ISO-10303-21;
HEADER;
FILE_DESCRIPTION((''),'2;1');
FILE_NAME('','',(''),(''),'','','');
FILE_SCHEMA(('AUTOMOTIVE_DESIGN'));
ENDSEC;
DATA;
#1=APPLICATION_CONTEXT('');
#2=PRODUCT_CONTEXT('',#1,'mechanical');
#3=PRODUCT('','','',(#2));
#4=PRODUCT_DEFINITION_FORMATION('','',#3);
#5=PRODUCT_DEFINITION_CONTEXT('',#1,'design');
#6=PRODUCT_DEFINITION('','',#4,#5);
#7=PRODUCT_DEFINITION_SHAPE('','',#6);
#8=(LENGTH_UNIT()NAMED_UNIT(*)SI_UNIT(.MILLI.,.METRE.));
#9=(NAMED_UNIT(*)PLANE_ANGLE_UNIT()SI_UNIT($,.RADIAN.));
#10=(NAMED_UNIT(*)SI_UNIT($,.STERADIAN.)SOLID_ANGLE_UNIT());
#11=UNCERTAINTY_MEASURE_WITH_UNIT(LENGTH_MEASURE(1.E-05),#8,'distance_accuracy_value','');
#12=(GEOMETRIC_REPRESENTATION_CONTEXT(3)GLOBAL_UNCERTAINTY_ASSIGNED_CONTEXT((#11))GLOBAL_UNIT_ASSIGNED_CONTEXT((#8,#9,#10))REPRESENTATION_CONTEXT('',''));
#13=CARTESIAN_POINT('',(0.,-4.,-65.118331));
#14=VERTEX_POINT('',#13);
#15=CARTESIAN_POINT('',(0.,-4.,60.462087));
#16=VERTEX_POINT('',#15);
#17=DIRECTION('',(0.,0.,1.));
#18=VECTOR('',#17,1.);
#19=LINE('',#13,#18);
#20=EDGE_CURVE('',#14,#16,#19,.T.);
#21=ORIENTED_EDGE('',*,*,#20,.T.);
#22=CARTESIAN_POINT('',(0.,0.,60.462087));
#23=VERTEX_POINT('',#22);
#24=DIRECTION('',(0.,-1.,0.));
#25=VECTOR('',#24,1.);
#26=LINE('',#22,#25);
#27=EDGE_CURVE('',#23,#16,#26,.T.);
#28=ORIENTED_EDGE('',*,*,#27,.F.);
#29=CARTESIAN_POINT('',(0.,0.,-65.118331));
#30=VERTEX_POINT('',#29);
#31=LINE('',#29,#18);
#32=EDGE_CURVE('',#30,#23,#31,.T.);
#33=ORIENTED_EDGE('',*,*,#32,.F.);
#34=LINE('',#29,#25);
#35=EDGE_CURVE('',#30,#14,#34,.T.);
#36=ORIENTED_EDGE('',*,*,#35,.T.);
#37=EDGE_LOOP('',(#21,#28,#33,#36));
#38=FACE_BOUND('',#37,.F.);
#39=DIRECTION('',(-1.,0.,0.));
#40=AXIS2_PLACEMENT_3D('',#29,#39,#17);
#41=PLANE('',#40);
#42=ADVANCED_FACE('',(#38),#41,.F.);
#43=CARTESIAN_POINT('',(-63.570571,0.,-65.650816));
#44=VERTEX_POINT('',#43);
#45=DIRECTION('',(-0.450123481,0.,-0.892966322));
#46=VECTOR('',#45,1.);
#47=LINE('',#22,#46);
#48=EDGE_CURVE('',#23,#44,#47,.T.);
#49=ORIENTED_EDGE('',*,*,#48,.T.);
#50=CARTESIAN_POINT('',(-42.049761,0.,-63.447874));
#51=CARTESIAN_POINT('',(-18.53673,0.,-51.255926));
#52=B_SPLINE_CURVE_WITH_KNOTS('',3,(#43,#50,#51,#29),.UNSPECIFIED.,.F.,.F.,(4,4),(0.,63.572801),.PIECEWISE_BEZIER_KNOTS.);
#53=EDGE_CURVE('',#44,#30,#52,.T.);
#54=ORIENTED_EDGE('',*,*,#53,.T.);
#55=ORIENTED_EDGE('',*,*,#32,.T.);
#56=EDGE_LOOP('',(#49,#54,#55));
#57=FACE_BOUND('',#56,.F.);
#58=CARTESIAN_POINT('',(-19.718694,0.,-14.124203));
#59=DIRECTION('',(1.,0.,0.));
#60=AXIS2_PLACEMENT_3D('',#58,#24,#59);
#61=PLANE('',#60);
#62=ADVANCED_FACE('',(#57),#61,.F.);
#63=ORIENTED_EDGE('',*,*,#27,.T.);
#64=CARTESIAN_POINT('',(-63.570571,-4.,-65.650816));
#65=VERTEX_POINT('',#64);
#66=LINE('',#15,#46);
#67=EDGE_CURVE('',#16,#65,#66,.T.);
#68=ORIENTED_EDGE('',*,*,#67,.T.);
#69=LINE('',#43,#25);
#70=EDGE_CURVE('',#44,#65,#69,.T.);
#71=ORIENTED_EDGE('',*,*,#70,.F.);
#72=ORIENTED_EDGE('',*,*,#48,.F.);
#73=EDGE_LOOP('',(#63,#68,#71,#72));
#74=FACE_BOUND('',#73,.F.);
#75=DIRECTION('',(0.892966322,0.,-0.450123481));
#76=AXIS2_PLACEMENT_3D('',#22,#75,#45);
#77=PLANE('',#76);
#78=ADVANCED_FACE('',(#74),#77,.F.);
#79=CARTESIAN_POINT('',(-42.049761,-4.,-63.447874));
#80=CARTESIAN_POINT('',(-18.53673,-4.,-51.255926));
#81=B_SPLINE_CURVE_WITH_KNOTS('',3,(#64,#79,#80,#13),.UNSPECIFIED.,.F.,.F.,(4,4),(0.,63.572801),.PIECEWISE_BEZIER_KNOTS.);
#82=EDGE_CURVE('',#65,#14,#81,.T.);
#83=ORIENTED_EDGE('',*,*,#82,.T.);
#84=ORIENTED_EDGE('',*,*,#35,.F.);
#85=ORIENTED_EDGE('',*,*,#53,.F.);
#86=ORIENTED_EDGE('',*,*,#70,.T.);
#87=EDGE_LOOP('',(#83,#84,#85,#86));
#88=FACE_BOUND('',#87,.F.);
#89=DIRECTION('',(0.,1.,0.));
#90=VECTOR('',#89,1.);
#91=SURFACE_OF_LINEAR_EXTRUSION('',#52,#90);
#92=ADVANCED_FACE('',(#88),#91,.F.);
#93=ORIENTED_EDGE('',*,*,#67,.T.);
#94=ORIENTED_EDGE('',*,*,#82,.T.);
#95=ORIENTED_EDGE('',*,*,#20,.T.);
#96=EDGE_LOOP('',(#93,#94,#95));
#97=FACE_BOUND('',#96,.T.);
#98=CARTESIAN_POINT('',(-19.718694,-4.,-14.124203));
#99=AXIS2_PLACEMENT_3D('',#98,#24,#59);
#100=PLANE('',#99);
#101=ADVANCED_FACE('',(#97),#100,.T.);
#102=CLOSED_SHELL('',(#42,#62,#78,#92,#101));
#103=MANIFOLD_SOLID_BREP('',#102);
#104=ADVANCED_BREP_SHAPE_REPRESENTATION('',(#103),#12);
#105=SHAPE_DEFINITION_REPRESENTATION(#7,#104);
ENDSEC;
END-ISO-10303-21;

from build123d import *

# Parameters (mm, degrees)
F1_DEPTH = 4


with BuildPart() as f1:
    # F0 (on Front) → F1 (new body)
    with BuildSketch(Plane.XZ):
        with BuildLine():
            Line((0, -65.118331), (0, 60.462087))
            Line((0, 60.462087), (-63.570571, -65.650816))
            add(Edge.make_bspline(
                [(-63.570571, -65.650816), (-42.049761, -63.447874), (-18.53673, -51.255926), (0, -65.118331)],
                knots=[0, 0, 0, 0, 63.572801, 63.572801, 63.572801, 63.572801], degree=3))
        make_face()
    extrude(amount=F1_DEPTH)


solid = f1.part
